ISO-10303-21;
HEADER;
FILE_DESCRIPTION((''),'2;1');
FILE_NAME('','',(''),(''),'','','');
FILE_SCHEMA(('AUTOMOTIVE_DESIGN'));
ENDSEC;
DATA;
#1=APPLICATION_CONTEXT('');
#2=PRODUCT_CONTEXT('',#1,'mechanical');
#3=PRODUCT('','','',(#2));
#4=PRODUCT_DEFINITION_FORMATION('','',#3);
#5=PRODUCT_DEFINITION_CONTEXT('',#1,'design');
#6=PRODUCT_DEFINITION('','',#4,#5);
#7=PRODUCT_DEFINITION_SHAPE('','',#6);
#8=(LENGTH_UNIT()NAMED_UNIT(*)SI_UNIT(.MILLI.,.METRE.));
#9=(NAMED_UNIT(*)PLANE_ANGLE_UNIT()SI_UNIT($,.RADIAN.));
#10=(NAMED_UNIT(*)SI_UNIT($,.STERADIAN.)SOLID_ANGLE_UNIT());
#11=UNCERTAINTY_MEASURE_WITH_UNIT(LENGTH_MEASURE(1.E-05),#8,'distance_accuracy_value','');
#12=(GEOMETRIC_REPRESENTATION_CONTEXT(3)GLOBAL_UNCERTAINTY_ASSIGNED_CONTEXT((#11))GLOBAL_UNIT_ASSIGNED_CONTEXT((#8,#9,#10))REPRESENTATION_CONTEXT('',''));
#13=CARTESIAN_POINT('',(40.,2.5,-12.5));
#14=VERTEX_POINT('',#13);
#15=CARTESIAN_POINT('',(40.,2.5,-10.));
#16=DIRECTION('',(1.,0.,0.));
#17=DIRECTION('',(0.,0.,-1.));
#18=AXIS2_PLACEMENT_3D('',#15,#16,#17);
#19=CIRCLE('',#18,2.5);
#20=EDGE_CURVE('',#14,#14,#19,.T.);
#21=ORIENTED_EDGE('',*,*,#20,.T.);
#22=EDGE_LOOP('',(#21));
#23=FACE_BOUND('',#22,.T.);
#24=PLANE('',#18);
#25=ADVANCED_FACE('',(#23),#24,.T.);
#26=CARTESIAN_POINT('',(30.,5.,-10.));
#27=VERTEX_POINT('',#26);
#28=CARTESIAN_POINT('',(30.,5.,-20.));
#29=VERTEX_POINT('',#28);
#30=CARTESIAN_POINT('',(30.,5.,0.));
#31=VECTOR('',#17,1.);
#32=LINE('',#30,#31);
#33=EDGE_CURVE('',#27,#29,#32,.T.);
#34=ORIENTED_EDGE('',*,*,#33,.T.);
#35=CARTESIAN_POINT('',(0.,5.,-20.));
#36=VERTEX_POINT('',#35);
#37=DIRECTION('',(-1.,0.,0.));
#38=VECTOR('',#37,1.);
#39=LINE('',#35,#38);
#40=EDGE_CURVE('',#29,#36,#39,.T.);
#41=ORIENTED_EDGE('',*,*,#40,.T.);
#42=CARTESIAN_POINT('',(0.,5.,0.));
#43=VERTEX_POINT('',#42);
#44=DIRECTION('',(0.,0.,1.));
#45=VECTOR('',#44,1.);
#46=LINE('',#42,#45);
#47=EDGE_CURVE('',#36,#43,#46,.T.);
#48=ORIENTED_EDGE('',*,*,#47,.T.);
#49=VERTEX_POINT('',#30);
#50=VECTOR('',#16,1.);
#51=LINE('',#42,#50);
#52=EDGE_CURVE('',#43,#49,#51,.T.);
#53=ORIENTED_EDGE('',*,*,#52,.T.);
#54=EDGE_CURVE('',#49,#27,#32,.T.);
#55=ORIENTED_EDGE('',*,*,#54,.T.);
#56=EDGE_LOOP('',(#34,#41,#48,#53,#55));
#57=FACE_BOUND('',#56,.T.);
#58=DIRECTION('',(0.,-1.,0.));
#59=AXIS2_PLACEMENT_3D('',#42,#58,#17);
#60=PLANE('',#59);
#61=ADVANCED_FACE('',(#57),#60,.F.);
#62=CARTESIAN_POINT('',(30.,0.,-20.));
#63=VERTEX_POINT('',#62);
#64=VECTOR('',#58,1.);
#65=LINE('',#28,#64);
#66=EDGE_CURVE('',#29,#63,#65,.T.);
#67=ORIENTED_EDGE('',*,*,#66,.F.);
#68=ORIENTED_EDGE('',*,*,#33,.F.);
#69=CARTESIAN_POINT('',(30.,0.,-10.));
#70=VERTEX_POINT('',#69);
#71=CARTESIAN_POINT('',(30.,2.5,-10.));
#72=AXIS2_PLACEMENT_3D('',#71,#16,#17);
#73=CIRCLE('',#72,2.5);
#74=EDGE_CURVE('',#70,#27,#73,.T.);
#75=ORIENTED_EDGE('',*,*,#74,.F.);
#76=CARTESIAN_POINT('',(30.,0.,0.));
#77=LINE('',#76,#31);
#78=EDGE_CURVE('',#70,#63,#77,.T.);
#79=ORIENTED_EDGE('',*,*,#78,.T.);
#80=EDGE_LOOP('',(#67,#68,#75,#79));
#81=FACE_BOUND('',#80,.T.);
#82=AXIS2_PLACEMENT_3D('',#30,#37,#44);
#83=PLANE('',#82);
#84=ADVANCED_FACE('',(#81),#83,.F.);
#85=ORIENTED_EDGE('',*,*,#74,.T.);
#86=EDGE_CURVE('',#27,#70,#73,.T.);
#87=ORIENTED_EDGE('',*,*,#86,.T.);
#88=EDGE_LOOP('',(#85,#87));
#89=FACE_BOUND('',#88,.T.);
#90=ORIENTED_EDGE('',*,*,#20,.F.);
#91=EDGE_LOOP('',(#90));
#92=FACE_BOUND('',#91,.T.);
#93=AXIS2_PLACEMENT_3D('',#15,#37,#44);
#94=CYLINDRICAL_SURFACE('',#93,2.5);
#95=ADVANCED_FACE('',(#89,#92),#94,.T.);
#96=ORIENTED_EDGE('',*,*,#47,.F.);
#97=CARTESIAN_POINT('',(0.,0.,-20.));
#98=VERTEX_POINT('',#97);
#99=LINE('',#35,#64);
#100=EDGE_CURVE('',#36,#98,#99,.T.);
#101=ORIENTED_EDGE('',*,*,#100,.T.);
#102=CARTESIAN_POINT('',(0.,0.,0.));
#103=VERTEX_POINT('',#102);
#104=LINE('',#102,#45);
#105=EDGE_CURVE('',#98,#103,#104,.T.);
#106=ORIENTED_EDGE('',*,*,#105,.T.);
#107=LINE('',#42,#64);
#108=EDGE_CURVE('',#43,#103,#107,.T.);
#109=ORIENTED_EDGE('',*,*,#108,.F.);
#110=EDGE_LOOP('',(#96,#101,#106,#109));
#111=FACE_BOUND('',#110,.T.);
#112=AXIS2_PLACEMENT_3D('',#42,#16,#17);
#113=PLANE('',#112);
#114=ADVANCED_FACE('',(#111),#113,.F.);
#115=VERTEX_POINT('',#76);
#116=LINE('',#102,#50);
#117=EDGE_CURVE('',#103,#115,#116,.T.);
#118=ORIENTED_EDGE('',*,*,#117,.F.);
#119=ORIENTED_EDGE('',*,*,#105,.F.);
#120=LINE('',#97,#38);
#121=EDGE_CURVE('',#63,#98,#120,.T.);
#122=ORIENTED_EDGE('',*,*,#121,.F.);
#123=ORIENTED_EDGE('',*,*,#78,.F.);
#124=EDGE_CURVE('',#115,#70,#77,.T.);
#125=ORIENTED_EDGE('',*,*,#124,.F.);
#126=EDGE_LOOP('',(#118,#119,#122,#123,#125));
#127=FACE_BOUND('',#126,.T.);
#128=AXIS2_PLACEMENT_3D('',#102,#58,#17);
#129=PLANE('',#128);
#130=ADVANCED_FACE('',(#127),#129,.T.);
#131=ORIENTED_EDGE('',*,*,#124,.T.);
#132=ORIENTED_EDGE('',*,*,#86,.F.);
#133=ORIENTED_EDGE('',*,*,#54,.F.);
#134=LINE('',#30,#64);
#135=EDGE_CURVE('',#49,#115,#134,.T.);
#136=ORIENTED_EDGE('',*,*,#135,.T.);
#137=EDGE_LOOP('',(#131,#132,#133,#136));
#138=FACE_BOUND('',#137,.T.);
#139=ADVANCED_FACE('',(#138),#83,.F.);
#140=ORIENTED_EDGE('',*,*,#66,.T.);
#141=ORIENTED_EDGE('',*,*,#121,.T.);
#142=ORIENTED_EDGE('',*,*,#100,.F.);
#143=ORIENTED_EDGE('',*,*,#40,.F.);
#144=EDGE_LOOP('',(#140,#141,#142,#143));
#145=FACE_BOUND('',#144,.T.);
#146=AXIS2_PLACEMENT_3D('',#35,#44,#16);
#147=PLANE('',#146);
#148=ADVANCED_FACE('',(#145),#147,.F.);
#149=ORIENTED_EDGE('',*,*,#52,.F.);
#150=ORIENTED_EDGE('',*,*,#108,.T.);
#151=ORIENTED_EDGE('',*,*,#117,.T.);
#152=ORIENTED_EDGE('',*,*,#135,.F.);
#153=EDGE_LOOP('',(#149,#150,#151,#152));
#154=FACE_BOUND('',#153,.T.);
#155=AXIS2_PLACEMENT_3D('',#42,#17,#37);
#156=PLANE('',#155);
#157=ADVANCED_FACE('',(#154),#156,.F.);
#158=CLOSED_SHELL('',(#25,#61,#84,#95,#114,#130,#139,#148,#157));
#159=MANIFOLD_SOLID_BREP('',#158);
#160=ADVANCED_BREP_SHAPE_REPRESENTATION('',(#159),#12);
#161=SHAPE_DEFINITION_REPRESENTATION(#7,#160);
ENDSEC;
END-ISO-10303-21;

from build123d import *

# Parameters (mm, degrees)
SKETCH1_W           = 30
SKETCH1_H           = 20
BOSS_EXTRUDE1_DEPTH = 5
SKETCH2_R           = 2.5
BOSS_EXTRUDE2_DEPTH = 10


with BuildPart() as part:
    # Sketch1 → Boss-Extrude1 (new body)
    with BuildSketch(Plane(origin=(0, 0, 0), x_dir=(1, 0, 0), z_dir=(0, 1, 0))):
        with Locations((15, 10)):
            Rectangle(SKETCH1_W, SKETCH1_H)
    extrude(amount=BOSS_EXTRUDE1_DEPTH)

    # Sketch2 → Boss-Extrude2 (add)
    with BuildSketch(Plane(origin=(30, 0, 0), x_dir=(0, 0, -1), z_dir=(1, 0, 0))):
        with Locations((10, 2.5)):
            Circle(SKETCH2_R)
    extrude(amount=BOSS_EXTRUDE2_DEPTH)


solid = part.part
